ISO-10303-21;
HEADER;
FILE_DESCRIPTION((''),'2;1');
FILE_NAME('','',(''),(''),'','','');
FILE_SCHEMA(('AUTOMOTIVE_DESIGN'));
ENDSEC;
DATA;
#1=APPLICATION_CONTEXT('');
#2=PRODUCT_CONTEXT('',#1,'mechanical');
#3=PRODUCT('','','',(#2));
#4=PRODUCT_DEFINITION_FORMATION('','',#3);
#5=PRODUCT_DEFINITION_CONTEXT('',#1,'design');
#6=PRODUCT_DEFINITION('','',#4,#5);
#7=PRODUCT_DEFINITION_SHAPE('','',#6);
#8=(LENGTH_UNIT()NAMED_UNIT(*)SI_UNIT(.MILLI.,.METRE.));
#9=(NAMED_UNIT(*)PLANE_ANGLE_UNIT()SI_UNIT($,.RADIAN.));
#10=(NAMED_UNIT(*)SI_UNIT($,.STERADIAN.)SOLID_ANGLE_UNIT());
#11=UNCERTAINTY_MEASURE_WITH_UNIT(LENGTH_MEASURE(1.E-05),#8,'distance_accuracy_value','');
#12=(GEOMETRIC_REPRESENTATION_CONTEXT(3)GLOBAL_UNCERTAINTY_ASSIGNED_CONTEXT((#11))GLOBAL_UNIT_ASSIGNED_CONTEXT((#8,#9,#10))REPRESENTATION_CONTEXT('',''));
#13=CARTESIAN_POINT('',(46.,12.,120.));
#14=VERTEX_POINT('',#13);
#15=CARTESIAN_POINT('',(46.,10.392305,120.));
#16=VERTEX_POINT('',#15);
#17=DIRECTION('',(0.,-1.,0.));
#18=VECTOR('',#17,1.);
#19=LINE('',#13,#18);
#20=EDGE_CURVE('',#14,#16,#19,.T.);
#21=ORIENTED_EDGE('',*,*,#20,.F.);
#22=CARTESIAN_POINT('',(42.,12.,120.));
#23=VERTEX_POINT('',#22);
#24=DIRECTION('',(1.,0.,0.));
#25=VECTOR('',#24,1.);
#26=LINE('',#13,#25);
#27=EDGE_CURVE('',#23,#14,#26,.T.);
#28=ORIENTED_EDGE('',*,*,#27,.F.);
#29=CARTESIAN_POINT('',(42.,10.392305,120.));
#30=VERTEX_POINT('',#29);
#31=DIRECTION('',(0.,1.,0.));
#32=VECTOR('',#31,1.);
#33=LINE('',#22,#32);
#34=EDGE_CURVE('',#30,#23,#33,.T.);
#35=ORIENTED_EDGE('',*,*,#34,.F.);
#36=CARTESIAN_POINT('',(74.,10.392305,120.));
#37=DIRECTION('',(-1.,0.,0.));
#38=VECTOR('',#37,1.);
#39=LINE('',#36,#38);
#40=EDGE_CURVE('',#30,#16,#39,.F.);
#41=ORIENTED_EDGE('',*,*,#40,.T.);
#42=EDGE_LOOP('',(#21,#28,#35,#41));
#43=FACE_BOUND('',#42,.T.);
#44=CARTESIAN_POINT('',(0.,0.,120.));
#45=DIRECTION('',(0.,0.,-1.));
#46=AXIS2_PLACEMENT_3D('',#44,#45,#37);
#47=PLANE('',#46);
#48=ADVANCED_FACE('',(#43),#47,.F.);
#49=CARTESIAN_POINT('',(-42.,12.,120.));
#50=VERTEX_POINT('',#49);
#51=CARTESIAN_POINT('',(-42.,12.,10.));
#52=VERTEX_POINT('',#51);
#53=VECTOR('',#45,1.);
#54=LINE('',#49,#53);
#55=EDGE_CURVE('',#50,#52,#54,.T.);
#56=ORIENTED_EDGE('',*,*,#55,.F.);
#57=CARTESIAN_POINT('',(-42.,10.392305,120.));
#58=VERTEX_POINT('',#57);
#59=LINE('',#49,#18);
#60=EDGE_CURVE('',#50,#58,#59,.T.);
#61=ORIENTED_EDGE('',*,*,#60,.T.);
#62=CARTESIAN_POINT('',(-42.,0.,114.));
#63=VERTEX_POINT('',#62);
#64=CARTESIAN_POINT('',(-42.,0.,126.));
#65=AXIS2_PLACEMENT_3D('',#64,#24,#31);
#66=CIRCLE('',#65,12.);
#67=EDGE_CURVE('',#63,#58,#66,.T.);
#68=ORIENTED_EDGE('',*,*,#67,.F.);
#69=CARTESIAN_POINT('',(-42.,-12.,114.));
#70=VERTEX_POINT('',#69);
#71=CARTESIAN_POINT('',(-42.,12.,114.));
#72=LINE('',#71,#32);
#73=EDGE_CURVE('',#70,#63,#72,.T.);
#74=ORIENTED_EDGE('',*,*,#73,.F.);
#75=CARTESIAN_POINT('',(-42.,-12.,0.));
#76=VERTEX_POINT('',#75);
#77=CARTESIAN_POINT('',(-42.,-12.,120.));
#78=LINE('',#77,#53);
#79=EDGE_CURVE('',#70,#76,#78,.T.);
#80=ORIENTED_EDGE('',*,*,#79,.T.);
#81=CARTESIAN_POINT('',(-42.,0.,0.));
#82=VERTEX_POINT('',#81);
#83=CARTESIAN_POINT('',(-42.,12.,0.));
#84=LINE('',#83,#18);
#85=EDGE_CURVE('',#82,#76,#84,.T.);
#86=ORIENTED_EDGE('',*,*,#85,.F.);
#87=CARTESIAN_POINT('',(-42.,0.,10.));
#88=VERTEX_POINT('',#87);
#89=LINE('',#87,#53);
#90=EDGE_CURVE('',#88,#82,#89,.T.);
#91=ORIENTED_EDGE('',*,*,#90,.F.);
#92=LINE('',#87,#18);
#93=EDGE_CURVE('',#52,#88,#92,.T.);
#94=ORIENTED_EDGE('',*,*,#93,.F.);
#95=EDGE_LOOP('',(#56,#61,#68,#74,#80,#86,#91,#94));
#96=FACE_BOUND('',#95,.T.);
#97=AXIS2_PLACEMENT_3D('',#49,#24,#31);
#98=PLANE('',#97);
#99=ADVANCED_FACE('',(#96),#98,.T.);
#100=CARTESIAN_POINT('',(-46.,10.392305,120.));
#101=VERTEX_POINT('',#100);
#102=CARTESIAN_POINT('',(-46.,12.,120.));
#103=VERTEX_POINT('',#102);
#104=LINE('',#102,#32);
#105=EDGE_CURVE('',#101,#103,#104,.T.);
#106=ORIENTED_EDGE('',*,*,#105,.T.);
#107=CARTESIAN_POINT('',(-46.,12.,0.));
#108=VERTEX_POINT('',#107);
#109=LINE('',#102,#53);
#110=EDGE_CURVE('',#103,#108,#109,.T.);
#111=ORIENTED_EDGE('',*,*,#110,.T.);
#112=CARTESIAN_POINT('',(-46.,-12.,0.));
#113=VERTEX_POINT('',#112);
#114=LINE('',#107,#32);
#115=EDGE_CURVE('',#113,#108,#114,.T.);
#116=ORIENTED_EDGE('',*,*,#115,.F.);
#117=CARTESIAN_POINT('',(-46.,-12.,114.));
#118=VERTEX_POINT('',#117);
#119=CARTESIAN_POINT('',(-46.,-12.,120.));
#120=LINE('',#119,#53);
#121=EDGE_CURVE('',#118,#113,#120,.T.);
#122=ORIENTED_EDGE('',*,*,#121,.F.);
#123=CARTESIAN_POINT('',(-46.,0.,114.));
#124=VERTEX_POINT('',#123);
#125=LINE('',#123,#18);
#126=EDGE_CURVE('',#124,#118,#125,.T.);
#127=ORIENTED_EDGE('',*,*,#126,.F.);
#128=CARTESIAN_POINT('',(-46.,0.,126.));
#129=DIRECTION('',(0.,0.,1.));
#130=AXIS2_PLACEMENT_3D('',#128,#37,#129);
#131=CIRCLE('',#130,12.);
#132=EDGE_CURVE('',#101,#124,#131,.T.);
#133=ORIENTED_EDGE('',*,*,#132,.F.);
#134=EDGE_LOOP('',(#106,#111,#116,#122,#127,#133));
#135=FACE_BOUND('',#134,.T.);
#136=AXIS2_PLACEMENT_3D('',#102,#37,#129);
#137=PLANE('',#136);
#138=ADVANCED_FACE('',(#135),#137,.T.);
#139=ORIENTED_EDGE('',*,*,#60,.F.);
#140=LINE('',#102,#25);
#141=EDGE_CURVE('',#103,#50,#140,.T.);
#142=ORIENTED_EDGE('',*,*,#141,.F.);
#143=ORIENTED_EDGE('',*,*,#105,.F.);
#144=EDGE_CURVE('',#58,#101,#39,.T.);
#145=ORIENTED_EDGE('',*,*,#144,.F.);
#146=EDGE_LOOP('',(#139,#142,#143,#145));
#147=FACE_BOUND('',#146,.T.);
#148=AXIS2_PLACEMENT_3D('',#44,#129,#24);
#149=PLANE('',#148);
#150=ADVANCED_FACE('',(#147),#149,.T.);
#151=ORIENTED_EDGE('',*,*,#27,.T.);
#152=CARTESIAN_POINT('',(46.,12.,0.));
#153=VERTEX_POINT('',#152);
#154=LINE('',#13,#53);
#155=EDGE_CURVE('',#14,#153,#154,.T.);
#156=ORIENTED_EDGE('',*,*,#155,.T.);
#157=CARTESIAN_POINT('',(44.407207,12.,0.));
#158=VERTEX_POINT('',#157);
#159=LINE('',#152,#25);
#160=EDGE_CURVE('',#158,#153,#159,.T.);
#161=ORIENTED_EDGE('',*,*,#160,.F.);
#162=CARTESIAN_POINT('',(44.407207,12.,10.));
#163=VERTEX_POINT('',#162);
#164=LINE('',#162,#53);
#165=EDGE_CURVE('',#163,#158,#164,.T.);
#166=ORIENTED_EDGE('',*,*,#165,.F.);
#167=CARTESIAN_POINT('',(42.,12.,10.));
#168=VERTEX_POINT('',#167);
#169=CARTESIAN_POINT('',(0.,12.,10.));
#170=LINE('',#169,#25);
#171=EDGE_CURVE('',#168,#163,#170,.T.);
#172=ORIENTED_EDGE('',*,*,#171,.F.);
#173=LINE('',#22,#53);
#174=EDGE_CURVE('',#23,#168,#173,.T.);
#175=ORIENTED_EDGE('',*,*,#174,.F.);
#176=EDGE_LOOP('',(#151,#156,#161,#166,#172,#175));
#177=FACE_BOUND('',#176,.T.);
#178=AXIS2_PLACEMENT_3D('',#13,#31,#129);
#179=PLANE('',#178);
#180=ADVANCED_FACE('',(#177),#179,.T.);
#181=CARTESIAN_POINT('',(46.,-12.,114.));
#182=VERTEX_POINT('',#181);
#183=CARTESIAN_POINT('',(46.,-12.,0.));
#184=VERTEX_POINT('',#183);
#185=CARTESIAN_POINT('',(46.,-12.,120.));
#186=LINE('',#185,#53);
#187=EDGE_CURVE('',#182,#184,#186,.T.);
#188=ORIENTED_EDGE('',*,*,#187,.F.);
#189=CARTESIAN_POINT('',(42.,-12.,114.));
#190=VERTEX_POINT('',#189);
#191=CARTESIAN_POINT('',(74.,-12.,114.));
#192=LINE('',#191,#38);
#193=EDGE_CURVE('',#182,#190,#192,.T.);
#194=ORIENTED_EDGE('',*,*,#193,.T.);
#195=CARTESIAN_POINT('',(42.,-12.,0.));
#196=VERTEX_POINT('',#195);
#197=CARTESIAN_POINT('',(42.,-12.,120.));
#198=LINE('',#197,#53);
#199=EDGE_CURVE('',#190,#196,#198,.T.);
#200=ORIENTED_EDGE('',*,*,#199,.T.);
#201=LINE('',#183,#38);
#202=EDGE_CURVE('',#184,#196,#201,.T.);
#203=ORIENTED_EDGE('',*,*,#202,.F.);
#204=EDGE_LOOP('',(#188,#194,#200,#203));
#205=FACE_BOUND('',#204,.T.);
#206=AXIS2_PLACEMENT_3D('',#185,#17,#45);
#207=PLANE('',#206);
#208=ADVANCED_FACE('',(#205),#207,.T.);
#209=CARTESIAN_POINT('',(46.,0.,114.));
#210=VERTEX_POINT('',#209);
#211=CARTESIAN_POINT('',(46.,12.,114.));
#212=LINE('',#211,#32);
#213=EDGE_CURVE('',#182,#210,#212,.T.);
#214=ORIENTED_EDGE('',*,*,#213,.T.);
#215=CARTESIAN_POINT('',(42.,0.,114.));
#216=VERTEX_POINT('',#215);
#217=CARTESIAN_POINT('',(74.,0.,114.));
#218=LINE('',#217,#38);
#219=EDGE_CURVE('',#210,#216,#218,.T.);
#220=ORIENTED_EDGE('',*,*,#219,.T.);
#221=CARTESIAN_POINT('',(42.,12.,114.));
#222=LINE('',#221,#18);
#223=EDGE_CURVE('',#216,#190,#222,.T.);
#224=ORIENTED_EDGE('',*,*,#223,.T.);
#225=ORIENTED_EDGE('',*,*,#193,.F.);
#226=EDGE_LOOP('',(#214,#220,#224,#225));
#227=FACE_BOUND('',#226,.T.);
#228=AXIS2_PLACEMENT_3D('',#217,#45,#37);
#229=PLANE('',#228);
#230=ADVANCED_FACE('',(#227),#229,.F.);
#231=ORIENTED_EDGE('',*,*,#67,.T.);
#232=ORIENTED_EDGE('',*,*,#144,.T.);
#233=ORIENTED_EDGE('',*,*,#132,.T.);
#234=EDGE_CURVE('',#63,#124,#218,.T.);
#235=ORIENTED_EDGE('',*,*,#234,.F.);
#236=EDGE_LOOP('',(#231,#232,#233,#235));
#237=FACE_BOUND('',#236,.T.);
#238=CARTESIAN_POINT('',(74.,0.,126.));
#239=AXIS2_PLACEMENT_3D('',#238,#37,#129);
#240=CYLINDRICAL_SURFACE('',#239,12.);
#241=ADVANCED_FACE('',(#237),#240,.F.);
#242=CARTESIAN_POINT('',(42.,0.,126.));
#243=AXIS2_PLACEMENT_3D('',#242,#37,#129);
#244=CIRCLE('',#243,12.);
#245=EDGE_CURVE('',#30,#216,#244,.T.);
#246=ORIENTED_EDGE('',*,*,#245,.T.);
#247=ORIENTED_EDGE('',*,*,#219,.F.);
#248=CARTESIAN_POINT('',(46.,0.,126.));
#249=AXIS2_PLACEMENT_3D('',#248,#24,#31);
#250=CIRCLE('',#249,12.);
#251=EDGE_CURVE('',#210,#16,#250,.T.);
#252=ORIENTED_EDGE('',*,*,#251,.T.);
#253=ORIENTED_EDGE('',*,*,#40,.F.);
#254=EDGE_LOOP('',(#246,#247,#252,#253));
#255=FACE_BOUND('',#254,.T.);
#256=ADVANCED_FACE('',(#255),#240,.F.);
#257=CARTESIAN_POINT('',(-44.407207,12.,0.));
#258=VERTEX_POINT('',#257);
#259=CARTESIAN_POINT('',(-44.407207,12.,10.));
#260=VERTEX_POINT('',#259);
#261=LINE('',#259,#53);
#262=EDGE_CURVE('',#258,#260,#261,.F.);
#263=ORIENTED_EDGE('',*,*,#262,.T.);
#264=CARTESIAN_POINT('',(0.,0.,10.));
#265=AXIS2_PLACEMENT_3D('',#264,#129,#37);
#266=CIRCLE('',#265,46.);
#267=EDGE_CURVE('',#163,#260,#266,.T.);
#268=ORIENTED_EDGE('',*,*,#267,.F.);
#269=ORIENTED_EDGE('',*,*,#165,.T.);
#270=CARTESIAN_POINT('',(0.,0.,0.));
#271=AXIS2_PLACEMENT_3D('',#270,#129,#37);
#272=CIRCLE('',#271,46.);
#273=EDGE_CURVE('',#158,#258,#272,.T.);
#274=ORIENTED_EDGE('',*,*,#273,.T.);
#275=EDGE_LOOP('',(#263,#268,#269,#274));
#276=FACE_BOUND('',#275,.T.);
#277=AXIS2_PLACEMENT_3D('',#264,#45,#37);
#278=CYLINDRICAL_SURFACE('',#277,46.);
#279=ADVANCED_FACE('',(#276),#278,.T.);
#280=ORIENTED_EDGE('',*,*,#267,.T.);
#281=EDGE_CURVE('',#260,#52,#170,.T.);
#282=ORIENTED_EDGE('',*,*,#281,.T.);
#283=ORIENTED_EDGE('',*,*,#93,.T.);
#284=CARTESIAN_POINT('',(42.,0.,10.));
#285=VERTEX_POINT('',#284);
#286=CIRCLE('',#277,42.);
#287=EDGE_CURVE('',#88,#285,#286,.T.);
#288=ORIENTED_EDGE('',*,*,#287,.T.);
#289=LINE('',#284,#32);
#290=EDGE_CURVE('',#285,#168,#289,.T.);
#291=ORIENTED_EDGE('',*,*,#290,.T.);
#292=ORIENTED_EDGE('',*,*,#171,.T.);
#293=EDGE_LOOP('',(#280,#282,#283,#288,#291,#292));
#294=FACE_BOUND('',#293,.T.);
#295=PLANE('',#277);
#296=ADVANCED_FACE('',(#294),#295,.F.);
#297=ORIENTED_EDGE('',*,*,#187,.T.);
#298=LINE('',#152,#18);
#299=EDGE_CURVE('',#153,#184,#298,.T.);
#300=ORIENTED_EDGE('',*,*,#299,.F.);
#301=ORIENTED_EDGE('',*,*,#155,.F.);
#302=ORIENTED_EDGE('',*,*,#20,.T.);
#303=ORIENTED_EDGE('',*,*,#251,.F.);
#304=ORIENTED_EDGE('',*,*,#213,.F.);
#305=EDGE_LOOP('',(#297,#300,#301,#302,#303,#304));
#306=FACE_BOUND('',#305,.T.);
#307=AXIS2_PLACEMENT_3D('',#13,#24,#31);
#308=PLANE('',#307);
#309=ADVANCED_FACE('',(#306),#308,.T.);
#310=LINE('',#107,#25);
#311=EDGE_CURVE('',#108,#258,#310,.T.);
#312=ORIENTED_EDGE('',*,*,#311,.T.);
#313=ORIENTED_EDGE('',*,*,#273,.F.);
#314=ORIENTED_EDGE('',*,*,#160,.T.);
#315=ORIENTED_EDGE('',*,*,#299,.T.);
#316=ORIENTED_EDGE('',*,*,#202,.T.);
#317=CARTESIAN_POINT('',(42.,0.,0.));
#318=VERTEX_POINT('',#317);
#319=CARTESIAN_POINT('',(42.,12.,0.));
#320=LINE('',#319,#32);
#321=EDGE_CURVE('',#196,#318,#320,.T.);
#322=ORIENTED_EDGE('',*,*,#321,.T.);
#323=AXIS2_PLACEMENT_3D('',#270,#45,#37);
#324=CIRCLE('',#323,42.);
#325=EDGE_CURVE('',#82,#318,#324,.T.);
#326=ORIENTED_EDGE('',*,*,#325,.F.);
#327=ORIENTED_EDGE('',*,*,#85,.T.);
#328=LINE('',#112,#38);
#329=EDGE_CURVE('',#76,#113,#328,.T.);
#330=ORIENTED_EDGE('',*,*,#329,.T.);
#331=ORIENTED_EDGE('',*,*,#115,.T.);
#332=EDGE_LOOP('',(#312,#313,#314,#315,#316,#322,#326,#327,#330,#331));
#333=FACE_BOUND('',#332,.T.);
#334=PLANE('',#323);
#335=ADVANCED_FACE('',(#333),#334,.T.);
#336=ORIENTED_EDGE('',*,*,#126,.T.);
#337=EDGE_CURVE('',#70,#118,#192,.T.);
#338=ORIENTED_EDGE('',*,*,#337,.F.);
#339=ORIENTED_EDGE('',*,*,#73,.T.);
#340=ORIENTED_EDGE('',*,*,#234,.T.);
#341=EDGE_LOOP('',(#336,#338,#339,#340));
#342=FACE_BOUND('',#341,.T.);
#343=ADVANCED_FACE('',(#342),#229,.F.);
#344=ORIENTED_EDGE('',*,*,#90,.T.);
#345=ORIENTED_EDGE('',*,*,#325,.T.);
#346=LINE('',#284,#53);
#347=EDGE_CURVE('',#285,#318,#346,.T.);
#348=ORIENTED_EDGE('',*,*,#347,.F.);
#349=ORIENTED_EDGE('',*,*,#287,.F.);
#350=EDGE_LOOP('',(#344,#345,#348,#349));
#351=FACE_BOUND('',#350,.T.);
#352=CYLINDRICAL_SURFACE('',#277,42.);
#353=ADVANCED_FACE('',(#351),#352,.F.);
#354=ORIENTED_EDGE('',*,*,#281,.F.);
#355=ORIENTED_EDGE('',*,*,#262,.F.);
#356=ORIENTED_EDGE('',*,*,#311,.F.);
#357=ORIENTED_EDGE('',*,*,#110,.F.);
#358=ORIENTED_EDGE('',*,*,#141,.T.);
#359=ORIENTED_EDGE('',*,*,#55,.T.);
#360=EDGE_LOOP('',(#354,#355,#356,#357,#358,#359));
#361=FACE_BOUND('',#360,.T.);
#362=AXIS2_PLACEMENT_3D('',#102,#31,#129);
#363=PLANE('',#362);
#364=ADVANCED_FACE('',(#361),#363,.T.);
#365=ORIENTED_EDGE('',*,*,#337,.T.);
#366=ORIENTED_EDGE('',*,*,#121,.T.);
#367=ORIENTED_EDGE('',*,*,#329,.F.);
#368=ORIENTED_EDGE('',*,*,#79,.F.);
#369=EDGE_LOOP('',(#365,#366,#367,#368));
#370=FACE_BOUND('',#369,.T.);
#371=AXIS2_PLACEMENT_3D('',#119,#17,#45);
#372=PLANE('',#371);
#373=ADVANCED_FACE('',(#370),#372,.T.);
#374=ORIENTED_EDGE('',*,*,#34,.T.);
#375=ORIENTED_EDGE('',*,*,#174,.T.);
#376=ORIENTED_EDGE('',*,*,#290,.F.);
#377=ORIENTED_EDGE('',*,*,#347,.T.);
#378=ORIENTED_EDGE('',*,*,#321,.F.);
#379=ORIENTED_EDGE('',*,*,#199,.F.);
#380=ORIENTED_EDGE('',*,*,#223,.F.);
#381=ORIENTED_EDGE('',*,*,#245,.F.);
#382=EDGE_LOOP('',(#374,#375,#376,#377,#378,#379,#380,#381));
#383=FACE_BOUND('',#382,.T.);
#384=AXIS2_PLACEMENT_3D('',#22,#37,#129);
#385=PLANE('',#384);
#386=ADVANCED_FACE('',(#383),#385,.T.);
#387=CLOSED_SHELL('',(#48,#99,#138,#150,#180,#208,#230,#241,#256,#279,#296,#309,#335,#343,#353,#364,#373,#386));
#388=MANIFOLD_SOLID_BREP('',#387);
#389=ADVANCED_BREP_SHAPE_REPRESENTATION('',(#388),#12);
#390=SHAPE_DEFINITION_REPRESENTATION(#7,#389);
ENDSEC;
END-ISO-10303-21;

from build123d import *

# Parameters (mm, degrees)
EXTRUDE_1_DEPTH     = 10
SKETCH_3_W          = 4
SKETCH_3_H          = 24
EXTRUDE_2_DEPTH     = 120
CUT_EXTRUDE_1_DEPTH = 120


with BuildPart() as part:
    # 草图2 → 凸台-拉伸1 (new body)
    with BuildSketch(Plane.XY):
        with BuildLine():
            Line((-46, 0), (-42, 0))
            ThreePointArc((-42, 0), (0, 42), (42, 0))
            Line((42, 0), (46, 0))
            ThreePointArc((46, 0), (0, 46), (-46, 0))
        make_face()
    extrude(amount=EXTRUDE_1_DEPTH)

    # 草图3 → 凸台-拉伸2 (add)
    with BuildSketch(Plane(origin=(0, 0, 0), x_dir=(-1, 0, 0), z_dir=(0, 0, -1))):
        with Locations((-44, 0)):
            Rectangle(SKETCH_3_W, SKETCH_3_H)
        with Locations((44, 0)):
            Rectangle(SKETCH_3_W, SKETCH_3_H)
    extrude(amount=-EXTRUDE_2_DEPTH)

    # 草图4 → 切除-拉伸1 (cut)
    with BuildSketch(Plane.ZY.offset(46)):
        with BuildLine():
            Line((114, 0), (114, -12))
            Line((114, -12), (126, -12))
            ThreePointArc((126, -12), (134.485281374, 8.485281374), (114, 0))
        make_face()
    extrude(amount=-CUT_EXTRUDE_1_DEPTH, mode=Mode.SUBTRACT)


solid = part.part
